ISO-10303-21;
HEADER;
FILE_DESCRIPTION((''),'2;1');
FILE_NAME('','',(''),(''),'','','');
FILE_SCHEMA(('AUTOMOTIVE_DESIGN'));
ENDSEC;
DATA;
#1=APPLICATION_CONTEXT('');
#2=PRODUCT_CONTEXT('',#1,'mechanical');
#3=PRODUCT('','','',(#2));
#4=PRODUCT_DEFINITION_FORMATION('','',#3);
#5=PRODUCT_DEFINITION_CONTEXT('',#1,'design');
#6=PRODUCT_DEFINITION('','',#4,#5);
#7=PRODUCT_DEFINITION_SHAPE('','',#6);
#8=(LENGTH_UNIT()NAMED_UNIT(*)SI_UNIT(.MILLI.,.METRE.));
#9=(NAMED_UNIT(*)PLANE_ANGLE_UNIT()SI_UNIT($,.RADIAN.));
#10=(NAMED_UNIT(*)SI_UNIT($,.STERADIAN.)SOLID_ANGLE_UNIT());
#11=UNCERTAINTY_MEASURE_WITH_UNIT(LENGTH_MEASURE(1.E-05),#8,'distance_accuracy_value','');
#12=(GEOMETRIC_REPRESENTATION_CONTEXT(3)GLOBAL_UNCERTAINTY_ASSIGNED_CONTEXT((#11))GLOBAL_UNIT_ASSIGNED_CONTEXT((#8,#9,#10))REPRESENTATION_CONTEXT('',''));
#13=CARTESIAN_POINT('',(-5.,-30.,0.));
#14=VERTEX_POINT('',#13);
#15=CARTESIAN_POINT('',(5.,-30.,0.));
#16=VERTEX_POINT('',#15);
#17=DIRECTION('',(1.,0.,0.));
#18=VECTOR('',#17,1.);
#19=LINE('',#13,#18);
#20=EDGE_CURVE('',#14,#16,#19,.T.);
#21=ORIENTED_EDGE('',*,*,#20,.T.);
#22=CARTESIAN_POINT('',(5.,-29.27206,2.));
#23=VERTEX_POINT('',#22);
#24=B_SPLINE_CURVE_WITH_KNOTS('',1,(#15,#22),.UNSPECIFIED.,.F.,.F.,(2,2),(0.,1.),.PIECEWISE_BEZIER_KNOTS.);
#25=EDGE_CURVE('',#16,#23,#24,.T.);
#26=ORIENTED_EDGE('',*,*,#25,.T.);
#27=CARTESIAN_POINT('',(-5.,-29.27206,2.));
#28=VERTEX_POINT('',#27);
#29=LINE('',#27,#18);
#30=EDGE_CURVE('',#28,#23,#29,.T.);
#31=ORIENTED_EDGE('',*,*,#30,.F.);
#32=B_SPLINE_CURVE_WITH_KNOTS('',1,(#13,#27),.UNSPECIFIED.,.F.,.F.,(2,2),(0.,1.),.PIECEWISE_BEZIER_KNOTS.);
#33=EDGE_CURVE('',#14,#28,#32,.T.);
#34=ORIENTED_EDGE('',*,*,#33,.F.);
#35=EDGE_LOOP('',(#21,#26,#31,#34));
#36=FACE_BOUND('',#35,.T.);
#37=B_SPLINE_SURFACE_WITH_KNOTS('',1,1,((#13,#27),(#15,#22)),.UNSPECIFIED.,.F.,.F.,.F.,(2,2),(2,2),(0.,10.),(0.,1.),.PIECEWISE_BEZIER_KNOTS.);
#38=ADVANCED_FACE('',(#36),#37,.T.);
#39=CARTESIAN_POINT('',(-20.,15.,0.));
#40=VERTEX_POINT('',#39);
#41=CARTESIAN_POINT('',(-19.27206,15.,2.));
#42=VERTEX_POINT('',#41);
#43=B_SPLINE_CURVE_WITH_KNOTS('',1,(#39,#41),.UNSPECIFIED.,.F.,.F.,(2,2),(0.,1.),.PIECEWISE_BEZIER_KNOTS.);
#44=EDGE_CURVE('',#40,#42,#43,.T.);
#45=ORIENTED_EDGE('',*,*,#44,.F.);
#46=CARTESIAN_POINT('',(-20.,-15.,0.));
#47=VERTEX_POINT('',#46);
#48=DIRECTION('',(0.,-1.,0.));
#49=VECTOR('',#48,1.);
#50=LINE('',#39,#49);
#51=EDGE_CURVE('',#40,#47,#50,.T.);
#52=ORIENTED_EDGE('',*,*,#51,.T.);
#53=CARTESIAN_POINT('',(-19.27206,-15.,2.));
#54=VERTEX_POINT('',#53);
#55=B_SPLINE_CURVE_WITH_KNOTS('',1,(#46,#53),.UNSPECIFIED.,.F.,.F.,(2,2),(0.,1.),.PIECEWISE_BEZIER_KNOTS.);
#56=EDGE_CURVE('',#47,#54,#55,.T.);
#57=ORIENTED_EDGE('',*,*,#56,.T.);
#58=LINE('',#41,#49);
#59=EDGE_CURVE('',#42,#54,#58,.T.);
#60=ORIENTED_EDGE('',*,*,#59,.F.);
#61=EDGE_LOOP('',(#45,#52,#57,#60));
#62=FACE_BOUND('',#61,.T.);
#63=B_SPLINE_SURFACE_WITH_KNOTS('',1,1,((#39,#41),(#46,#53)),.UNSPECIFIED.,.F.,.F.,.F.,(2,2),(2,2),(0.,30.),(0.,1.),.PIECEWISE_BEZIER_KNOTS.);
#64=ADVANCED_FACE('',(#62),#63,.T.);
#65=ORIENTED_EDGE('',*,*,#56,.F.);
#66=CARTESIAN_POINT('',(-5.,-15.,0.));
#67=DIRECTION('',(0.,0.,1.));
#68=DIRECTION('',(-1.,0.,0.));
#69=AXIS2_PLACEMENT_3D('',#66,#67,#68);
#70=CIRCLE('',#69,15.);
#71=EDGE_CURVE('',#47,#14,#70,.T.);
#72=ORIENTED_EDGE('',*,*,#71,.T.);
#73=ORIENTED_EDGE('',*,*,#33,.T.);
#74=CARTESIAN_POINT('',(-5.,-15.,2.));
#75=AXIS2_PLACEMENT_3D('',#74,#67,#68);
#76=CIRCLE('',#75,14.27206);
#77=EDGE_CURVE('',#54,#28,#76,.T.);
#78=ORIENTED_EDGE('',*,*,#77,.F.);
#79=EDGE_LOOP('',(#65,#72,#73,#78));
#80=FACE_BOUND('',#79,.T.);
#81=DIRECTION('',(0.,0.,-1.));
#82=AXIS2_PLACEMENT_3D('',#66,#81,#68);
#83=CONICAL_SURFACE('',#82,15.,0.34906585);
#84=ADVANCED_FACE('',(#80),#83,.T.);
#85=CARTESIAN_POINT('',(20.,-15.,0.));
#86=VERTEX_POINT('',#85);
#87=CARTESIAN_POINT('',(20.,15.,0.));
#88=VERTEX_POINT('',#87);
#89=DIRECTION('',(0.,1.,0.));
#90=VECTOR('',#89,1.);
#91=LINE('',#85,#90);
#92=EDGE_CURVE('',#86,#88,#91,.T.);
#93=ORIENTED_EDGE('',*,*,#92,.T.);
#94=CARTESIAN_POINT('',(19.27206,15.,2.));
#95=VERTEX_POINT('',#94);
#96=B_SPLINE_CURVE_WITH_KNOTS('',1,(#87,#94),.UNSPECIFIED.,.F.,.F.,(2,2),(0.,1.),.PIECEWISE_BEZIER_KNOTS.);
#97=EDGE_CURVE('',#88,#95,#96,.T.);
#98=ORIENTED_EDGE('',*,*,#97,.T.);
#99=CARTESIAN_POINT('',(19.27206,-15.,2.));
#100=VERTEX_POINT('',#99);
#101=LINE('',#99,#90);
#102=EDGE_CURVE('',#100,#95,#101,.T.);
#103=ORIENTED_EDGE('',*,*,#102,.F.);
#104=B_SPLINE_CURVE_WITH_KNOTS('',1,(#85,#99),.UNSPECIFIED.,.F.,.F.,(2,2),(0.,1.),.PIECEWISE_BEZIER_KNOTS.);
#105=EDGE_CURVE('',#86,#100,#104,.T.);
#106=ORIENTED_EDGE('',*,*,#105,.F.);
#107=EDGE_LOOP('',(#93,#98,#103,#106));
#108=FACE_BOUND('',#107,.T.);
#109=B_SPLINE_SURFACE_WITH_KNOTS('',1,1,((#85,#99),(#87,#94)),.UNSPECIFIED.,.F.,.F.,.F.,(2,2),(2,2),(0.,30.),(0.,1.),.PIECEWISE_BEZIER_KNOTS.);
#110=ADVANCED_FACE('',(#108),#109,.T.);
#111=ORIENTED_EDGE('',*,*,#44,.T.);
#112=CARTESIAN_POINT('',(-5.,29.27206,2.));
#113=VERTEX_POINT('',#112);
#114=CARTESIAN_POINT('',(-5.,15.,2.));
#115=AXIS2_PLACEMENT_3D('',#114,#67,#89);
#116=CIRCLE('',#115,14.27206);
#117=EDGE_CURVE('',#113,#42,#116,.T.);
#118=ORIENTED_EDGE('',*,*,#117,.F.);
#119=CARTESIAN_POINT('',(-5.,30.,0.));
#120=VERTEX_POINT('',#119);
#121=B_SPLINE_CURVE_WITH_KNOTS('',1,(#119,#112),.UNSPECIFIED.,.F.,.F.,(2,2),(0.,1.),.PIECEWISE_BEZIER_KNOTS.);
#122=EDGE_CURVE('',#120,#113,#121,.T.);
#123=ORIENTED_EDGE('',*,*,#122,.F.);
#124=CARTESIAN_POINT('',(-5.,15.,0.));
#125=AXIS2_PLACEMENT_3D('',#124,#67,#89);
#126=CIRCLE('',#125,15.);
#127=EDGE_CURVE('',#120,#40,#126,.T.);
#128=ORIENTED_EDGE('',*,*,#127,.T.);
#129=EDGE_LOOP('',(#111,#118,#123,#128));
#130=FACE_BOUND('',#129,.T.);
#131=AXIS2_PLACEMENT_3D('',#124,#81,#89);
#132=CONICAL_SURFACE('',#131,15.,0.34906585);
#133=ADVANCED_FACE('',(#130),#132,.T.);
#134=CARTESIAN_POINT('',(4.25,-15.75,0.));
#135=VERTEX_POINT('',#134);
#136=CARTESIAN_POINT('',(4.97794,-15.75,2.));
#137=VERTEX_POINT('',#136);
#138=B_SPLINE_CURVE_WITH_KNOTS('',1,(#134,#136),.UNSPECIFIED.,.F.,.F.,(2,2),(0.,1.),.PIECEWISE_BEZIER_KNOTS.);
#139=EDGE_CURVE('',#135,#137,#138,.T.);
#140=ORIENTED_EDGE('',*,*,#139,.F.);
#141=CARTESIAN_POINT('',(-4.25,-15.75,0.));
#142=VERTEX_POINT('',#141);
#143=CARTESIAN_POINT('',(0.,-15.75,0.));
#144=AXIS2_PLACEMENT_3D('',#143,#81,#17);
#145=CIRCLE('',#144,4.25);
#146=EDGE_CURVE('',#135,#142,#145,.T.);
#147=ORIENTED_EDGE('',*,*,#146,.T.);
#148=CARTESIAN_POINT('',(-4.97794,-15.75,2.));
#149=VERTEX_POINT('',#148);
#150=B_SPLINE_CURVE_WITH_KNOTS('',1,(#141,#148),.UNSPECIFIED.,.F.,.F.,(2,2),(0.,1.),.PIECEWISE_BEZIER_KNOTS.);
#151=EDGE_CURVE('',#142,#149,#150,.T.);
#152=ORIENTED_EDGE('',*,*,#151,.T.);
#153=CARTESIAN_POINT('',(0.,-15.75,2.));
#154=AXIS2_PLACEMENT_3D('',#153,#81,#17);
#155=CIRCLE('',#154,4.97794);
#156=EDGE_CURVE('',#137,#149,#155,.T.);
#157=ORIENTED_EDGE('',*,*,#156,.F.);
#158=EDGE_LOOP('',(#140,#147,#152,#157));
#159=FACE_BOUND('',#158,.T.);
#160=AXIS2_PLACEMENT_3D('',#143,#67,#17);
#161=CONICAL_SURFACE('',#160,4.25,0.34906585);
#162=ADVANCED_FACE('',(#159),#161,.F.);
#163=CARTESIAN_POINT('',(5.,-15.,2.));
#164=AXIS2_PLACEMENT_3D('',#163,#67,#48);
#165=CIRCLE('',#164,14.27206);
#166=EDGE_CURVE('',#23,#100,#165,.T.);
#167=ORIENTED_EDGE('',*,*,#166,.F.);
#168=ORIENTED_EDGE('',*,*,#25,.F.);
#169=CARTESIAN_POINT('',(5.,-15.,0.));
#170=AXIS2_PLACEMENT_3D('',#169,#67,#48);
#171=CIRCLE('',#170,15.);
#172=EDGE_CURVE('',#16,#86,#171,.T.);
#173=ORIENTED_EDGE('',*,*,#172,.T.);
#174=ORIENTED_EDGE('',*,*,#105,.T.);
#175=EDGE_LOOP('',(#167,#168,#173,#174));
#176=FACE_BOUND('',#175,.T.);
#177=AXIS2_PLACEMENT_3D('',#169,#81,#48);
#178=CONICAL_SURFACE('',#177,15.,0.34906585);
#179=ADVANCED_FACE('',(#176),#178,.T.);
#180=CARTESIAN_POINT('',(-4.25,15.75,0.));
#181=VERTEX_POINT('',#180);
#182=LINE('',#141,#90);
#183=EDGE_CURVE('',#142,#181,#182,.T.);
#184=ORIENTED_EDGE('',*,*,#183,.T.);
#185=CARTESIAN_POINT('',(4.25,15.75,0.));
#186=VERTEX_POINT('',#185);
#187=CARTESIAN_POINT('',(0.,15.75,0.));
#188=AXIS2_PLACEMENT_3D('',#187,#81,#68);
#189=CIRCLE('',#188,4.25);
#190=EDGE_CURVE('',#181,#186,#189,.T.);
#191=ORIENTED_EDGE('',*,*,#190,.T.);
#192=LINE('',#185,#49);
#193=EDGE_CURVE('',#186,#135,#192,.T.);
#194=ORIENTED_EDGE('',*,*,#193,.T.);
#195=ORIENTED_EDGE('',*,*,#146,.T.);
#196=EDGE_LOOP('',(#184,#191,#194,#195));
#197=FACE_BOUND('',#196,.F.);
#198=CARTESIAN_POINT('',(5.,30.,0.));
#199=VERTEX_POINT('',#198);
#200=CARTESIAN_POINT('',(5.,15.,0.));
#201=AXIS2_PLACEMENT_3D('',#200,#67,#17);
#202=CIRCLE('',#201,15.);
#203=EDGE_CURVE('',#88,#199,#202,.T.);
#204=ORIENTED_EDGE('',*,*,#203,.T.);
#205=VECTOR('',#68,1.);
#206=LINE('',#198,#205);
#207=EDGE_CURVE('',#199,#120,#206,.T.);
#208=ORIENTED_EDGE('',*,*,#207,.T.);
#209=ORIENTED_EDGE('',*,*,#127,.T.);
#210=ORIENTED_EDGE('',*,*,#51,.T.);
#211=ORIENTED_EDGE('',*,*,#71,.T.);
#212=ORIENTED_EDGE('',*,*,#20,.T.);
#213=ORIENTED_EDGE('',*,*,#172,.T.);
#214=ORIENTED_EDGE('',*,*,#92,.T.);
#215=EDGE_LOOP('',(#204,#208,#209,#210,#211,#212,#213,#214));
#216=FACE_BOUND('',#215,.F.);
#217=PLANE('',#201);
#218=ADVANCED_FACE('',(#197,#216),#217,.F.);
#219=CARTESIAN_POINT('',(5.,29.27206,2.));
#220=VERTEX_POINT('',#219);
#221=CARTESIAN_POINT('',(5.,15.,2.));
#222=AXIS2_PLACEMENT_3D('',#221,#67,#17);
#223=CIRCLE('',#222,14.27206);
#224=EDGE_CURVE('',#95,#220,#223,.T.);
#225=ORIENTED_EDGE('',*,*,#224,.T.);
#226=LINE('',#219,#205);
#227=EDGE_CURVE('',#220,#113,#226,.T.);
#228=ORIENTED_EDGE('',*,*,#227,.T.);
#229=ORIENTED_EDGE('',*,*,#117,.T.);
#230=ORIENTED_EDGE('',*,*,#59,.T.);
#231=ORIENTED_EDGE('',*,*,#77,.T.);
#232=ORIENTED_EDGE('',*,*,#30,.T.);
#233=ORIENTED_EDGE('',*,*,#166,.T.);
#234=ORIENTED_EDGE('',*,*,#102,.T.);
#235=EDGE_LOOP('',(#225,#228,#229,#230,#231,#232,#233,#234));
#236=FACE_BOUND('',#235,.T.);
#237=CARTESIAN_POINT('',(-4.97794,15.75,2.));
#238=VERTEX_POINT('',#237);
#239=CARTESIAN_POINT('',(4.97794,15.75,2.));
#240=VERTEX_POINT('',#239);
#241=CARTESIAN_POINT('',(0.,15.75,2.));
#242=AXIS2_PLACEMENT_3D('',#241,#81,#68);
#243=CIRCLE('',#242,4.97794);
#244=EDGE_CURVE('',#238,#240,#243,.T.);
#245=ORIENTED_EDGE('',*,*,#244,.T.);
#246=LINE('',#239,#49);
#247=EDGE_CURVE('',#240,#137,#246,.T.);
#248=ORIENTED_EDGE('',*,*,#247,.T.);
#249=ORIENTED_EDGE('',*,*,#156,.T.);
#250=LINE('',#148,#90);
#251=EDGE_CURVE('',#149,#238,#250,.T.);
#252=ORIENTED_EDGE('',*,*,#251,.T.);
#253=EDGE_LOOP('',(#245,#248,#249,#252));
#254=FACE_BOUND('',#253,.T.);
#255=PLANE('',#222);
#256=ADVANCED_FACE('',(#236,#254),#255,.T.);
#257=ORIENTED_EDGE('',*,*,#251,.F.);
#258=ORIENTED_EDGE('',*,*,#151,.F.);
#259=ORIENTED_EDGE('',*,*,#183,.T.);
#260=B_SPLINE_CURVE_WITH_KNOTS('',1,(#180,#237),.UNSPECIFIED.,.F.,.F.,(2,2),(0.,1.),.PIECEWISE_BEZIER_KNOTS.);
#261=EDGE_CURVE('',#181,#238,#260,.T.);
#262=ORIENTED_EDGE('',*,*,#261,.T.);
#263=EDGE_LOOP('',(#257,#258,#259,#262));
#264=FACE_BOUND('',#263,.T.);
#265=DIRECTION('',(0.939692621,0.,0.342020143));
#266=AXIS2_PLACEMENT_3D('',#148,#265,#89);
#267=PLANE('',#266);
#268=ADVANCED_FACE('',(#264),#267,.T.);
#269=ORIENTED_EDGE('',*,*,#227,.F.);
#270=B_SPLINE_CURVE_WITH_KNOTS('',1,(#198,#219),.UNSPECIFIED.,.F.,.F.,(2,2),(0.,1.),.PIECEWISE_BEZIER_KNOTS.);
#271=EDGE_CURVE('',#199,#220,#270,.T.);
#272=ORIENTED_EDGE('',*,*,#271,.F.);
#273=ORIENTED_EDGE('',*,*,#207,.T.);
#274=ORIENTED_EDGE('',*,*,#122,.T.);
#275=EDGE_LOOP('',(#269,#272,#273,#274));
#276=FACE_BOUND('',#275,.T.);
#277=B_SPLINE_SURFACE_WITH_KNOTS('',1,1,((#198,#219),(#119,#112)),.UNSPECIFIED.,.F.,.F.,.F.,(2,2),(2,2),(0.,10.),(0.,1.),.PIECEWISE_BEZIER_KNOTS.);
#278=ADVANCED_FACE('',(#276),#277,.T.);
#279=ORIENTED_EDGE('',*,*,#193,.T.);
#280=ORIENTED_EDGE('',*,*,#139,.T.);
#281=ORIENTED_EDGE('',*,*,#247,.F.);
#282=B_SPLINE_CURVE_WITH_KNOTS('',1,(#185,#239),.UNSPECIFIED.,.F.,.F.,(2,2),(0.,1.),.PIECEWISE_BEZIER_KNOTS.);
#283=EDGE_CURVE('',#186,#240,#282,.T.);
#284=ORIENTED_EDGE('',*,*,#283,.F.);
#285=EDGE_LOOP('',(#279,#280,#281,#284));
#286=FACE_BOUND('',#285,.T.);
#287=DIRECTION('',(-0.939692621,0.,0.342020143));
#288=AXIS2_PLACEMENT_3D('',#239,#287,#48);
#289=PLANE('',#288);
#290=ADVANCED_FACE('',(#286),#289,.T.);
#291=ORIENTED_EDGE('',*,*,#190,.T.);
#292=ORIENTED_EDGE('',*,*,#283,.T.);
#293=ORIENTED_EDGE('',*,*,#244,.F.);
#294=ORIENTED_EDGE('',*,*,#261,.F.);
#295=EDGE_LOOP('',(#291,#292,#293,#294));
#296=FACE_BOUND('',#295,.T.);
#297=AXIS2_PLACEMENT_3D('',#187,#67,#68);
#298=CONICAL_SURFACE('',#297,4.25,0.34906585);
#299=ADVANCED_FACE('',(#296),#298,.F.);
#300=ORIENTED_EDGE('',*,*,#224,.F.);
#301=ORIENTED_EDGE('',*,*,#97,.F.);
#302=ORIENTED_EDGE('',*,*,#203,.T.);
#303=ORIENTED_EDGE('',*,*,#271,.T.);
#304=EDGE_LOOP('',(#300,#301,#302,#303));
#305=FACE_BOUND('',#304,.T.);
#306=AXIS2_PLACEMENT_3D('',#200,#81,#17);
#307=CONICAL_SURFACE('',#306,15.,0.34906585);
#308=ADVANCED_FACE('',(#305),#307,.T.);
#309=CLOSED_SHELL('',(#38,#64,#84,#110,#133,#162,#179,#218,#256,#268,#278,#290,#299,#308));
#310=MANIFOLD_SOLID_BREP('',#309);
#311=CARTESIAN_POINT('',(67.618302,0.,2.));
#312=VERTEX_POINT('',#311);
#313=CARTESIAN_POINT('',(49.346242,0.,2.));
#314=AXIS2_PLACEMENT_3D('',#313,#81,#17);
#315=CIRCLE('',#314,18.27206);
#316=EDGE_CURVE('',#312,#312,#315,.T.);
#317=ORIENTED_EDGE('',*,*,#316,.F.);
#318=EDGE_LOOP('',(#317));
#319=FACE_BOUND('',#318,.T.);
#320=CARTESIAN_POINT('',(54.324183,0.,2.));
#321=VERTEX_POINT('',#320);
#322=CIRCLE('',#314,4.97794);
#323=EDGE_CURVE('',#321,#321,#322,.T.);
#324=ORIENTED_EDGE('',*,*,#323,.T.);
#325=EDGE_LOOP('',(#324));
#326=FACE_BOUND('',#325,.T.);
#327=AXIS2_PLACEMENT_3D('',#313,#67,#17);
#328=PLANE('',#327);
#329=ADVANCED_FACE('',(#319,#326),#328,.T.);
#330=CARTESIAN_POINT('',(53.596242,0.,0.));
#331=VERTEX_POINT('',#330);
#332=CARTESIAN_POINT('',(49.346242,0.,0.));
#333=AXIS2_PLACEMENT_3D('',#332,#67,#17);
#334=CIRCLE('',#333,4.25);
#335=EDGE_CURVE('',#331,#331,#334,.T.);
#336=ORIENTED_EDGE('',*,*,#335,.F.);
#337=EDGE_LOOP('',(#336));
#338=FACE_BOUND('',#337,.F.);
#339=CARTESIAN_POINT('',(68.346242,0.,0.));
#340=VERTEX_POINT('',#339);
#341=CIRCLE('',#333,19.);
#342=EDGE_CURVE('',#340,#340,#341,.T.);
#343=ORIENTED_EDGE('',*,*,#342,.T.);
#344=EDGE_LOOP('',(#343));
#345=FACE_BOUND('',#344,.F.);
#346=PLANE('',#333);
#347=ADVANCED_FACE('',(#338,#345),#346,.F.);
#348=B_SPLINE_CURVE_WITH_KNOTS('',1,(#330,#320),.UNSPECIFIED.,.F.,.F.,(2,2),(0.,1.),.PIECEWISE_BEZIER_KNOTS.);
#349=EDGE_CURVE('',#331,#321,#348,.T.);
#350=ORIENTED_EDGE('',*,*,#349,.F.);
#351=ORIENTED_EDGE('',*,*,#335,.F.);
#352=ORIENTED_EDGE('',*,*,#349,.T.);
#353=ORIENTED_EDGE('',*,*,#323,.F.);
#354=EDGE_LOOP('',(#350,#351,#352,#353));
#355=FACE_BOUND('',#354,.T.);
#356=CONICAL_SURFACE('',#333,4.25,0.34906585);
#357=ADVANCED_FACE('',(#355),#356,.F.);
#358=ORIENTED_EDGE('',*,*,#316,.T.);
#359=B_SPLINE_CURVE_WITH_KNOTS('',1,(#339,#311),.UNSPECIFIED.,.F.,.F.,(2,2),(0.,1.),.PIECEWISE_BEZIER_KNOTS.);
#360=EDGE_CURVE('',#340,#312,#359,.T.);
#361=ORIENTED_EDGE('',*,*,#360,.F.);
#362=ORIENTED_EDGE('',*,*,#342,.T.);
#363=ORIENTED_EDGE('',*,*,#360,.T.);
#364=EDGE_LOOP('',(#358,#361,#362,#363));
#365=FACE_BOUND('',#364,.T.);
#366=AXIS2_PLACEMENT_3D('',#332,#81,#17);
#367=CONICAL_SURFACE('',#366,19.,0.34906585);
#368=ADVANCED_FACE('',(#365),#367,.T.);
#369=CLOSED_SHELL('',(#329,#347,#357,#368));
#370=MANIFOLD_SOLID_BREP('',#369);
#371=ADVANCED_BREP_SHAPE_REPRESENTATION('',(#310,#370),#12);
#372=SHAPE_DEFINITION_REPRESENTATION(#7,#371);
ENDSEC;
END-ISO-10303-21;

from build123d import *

# Parameters (mm, degrees)
F1_DEPTH = 2
F1_TAPER = 20
F0_R     = 19
F0_R_2   = 4.25
F2_DEPTH = 2
F2_TAPER = 20


with BuildPart() as f1:
    # F0 (on Top) → F1 (new body)
    with BuildSketch(Plane.XY):
        with BuildLine():
            ThreePointArc((20, 15), (15.6066017178, 25.6066017178), (5, 30))
            Line((5, 30), (-5, 30))
            ThreePointArc((-5, 30), (-15.6066017178, 25.6066017178), (-20, 15))
            Line((-20, 15), (-20, -15))
            ThreePointArc((-20, -15), (-15.6066017178, -25.6066017178), (-5, -30))
            Line((-5, -30), (5, -30))
            ThreePointArc((5, -30), (15.6066017178, -25.6066017178), (20, -15))
            Line((20, -15), (20, 15))
        make_face()
        with BuildLine():
            ThreePointArc((-4.25, 15.75), (0, 20), (4.25, 15.75))
            Line((4.25, 15.75), (4.25, -15.75))
            ThreePointArc((4.25, -15.75), (0, -20), (-4.25, -15.75))
            Line((-4.25, -15.75), (-4.25, 15.75))
        make_face(mode=Mode.SUBTRACT)
    extrude(amount=F1_DEPTH, taper=F1_TAPER)


with BuildPart() as f2:
    # F0 (on Top) → F2 (new body)
    with BuildSketch(Plane.XY):
        with Locations((49.3462421, 0)):
            Circle(F0_R)
        with Locations((49.3462421, 0)):
            Circle(F0_R_2, mode=Mode.SUBTRACT)
    extrude(amount=F2_DEPTH, taper=F2_TAPER)


solid = Compound([f1.part, f2.part])
